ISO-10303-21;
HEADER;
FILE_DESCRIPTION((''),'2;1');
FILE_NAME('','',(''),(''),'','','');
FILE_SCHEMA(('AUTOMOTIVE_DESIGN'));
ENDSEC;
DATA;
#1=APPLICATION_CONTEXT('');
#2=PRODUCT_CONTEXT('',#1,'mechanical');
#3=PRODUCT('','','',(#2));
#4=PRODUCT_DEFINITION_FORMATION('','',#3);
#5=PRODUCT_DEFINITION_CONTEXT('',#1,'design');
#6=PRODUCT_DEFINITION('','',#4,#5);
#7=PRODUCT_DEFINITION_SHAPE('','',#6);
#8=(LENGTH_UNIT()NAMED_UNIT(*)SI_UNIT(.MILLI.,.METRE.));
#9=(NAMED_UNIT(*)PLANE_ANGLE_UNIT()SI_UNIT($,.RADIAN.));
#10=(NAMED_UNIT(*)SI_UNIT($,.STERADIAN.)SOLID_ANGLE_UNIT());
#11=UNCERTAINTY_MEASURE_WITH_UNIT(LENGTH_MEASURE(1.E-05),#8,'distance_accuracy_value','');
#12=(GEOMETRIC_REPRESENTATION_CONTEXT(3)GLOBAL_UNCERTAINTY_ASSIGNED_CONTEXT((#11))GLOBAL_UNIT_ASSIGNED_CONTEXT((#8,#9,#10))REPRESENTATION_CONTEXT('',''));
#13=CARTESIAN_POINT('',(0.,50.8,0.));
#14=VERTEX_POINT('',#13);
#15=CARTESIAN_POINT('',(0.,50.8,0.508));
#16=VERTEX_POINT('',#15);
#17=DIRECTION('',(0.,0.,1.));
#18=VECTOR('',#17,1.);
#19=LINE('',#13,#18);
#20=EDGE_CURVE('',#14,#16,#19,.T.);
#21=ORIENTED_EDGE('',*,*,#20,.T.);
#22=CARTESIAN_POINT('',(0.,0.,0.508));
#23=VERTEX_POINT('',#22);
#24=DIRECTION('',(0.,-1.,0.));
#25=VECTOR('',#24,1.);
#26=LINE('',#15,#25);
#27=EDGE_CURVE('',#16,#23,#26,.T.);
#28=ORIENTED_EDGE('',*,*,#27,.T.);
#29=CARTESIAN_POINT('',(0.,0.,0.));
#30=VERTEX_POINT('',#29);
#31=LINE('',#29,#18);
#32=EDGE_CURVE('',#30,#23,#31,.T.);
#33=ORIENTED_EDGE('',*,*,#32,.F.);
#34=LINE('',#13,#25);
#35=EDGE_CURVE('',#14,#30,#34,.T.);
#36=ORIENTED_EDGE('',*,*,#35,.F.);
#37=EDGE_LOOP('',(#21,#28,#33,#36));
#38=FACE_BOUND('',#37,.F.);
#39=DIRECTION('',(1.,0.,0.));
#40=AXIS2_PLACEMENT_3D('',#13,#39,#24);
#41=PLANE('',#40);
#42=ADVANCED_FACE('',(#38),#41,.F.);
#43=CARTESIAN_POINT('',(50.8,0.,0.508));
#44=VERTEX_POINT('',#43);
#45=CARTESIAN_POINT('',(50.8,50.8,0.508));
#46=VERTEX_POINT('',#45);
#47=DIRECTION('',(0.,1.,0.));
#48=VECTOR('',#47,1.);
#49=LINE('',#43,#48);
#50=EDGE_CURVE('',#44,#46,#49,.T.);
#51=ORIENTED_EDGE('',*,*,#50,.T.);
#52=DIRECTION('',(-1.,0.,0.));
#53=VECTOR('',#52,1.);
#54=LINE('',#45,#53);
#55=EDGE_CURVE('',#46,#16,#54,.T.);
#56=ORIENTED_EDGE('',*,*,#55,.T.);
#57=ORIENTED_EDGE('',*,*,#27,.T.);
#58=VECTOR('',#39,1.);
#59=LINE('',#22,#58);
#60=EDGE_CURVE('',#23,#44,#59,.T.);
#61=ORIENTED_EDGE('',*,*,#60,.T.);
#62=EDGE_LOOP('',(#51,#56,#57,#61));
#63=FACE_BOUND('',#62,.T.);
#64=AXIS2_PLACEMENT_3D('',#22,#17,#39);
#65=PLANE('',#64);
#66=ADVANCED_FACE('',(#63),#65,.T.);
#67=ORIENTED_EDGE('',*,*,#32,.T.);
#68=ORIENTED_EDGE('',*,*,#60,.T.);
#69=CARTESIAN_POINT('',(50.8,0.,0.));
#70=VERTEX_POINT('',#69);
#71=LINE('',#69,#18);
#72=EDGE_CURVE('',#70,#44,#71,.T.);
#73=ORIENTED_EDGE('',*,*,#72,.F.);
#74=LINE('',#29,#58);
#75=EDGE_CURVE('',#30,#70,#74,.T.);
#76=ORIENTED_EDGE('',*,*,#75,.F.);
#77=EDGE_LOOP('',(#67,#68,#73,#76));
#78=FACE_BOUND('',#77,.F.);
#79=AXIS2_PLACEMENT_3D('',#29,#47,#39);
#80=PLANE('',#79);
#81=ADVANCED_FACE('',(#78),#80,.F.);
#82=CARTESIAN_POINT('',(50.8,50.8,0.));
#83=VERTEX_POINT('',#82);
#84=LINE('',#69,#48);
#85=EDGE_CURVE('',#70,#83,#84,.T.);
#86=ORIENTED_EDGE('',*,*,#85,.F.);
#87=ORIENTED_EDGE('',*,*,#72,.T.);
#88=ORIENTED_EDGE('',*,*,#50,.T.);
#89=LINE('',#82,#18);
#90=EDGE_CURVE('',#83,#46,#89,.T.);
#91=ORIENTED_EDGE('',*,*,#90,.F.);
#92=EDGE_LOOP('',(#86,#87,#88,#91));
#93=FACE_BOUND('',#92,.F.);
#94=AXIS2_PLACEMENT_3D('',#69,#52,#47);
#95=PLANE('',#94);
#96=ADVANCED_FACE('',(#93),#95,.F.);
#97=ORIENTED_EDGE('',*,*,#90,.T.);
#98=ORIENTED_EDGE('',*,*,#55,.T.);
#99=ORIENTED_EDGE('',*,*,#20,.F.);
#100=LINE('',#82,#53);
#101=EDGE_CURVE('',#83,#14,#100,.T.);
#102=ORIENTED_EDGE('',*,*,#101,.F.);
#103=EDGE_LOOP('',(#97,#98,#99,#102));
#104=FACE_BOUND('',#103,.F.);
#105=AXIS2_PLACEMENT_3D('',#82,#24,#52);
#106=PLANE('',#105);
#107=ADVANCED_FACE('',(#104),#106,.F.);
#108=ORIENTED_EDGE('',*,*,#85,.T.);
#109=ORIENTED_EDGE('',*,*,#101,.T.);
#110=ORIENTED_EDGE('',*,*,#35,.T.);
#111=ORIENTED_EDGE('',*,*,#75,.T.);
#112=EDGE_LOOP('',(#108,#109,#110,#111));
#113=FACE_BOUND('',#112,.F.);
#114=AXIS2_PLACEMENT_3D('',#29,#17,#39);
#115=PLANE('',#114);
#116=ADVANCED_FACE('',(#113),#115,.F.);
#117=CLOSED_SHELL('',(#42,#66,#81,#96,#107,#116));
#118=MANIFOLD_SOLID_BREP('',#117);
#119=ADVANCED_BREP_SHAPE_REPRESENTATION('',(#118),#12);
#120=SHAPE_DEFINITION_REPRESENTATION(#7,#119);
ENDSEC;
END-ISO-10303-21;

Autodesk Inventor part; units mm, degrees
ref_plane "YZ Plane" through (0, 0, 0) normal (1, 0, 0) x (0, 1, 0)
ref_plane "XZ Plane" through (0, 0, 0) normal (0, 1, 0) x (-1, 0, 0)
ref_plane "XY Plane" through (0, 0, 0) normal (0, 0, 1) x (1, 0, 0)
sketch "Sketch1" plane through (0, 0, 0) normal (0, 0, 1) x (1, 0, 0)
  line L0 (0, 0) -> (50.8, 0)
  line L1 (50.8, 0) -> (50.8, 50.8)
  line L2 (50.8, 50.8) -> (0, 50.8)
  line L3 (0, 50.8) -> (0, 0)
  dimension "d0" = 50.8
  dimension "d1" = 50.8
extrude "Extrusion1" add sketch "Sketch1" along normal blind 0.508
properties part number "Thermoplastic" material "Thermoplastic Resin"
